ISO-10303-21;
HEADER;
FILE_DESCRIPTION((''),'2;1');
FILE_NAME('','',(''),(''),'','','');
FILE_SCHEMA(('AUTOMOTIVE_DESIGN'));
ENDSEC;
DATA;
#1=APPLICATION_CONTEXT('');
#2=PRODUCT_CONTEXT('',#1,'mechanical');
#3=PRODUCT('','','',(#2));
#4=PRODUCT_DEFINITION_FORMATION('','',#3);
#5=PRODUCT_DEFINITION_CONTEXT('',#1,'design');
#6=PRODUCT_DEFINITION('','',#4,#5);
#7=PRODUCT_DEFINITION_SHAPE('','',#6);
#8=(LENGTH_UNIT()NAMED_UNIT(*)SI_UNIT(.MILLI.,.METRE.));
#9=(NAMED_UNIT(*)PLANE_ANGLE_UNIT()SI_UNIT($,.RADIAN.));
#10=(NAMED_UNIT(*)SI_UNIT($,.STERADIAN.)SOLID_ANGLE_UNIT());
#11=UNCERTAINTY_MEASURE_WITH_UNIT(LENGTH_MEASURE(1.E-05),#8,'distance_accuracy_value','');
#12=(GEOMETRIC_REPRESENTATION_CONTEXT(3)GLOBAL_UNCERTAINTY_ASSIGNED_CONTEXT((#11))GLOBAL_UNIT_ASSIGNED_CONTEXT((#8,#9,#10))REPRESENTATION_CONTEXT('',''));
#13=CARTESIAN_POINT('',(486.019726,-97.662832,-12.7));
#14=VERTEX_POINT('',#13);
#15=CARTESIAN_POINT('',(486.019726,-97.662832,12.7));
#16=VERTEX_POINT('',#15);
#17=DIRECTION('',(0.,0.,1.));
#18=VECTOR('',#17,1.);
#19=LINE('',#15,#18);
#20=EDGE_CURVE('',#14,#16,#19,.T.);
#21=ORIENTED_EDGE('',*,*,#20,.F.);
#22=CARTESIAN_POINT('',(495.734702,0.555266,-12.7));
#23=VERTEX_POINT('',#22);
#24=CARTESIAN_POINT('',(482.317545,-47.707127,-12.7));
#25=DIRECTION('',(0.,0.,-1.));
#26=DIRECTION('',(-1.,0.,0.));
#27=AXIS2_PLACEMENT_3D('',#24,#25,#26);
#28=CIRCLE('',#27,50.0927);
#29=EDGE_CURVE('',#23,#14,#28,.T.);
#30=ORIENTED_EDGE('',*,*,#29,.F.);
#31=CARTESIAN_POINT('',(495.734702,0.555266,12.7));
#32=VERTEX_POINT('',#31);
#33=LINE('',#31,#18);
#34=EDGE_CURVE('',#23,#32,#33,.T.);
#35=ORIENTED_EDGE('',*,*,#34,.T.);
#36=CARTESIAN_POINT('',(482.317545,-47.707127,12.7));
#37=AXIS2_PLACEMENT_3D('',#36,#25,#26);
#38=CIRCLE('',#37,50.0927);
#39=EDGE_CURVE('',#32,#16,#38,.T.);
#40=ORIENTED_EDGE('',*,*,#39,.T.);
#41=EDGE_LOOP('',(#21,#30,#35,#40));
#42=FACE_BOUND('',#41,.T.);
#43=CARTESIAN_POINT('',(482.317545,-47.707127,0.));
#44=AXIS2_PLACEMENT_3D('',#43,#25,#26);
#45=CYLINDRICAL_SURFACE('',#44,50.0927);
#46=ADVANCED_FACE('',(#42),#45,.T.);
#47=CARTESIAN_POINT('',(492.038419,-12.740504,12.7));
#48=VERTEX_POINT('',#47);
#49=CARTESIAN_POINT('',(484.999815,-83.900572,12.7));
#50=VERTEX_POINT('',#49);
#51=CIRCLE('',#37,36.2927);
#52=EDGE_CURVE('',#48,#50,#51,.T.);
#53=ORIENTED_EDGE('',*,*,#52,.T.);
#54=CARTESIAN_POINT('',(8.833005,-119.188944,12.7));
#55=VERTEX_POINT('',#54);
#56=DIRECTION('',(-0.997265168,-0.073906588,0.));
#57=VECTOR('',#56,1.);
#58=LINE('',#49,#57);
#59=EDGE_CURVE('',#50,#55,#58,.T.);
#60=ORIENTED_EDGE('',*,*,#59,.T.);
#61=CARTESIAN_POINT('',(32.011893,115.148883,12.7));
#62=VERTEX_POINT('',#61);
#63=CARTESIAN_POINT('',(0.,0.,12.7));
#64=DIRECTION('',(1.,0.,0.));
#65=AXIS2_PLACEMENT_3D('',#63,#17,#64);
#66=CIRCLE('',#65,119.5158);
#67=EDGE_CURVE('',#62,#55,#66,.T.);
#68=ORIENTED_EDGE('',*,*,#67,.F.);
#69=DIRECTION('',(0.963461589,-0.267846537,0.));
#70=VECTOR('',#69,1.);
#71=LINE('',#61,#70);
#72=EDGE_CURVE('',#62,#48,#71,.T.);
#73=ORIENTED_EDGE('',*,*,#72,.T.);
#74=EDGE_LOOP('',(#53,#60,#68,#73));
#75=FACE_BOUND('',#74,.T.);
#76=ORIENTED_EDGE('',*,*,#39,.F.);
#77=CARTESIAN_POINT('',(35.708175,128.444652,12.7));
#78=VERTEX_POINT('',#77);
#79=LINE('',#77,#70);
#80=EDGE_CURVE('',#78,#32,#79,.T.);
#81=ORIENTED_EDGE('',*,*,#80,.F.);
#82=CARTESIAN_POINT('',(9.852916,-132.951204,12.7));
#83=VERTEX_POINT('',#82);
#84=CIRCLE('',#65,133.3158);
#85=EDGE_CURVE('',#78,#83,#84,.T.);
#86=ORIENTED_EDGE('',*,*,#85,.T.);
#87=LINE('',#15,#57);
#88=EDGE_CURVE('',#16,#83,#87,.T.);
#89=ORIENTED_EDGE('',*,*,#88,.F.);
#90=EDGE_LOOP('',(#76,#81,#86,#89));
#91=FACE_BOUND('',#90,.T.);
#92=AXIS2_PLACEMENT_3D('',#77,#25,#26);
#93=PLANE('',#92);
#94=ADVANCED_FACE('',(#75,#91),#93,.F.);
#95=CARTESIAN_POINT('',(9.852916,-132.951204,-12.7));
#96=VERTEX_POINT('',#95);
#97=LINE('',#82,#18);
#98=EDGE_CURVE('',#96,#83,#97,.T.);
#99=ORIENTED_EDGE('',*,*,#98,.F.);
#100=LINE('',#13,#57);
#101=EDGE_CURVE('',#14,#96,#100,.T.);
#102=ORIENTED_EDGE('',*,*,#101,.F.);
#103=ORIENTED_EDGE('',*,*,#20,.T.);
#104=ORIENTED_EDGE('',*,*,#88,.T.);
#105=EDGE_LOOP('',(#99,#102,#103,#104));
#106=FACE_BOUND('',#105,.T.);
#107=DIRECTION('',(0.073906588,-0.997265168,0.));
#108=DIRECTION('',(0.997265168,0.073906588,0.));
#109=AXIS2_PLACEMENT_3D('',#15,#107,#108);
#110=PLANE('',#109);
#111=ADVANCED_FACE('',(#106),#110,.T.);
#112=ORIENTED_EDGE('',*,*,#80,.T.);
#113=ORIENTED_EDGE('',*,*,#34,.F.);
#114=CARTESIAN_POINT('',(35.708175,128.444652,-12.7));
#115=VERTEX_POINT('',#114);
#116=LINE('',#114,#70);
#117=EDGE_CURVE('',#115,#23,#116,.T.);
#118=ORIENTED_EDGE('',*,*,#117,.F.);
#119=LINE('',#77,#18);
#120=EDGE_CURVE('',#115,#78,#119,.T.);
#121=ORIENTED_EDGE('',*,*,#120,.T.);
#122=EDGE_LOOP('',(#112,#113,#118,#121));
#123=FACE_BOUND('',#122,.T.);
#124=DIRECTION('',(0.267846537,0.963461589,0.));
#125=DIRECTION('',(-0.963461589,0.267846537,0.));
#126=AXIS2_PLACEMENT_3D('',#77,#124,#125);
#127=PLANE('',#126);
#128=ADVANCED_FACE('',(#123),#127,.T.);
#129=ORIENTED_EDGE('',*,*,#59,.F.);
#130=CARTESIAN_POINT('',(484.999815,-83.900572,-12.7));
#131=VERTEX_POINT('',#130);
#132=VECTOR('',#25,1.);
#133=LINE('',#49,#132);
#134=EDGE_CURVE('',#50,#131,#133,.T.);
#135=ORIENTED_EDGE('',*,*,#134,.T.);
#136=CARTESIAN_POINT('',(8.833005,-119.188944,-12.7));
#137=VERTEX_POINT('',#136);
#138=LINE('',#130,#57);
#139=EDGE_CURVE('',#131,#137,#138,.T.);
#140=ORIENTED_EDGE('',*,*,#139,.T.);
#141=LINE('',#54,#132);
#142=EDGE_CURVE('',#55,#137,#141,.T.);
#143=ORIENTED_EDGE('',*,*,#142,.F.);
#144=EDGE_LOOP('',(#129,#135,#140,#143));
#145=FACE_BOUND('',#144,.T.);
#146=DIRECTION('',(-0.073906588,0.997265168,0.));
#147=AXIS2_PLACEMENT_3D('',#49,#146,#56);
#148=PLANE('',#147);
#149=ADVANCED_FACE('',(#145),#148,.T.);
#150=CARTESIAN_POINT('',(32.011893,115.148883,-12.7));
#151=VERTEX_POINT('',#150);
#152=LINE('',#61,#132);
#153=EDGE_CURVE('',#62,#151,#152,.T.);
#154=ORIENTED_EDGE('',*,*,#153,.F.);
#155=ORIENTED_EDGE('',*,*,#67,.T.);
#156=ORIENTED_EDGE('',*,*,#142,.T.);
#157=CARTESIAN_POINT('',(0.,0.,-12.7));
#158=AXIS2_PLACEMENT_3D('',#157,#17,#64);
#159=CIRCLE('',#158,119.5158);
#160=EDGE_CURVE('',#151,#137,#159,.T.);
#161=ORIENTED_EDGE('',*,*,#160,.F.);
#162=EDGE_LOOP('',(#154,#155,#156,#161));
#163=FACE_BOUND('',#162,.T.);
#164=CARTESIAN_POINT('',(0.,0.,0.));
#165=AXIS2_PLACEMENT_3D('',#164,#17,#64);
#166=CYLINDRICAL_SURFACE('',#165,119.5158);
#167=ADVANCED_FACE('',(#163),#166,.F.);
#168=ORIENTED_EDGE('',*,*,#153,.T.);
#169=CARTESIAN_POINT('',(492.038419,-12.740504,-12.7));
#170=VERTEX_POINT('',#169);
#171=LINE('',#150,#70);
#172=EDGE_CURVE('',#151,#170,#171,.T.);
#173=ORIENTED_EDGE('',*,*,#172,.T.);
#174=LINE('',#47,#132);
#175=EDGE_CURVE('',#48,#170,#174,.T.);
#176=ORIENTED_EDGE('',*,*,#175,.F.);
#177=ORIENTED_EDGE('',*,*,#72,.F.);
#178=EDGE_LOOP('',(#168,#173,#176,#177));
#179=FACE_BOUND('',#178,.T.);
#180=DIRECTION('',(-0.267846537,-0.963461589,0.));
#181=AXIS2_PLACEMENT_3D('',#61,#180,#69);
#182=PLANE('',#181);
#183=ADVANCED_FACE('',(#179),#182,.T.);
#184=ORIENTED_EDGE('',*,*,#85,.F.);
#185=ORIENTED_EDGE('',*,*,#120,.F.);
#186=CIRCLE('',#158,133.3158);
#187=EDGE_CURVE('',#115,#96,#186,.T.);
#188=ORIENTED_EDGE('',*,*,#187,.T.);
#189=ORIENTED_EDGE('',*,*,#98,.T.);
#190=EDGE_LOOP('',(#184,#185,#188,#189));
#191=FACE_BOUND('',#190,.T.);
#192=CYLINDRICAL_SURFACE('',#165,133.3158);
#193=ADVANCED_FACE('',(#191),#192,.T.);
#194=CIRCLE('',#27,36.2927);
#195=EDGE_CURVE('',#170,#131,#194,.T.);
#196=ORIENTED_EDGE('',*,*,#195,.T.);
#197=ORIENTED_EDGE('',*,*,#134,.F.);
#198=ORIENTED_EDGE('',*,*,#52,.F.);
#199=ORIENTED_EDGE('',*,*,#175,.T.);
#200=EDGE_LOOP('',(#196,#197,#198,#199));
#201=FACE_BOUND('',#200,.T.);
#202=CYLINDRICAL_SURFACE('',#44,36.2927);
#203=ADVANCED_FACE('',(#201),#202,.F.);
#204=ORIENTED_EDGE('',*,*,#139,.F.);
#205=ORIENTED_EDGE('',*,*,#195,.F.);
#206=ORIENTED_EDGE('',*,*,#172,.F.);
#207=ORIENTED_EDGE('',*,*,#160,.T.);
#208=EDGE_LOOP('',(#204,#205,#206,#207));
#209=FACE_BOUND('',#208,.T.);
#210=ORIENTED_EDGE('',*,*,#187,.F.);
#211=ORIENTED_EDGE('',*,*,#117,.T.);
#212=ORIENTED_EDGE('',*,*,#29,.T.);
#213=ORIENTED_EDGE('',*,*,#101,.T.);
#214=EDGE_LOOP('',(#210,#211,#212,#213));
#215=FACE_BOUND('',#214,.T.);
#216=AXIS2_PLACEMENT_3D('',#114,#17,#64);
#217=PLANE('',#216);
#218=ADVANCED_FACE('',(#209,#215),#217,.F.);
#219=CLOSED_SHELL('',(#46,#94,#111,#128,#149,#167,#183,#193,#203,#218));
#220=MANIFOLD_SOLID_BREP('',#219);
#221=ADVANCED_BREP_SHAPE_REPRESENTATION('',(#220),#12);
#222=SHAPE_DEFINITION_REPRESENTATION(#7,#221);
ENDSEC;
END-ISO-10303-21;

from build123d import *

# Parameters (mm, degrees)
SKETCH3_W = 25.4
SKETCH3_H = 13.8


with BuildPart() as part:
    # Sweep1: sweep along a path in Sketch2
    with BuildLine(Plane.XY) as sweep1_path:
        Line((33.86003419, 121.796767504), (493.886560577, -6.092619308))
        ThreePointArc((493.886560577, -6.092619308), (525.300492459, -51.958667828), (485.509770578, -90.781701911))
        Line((485.509770578, -90.781701911), (9.342960491, -126.070074081))
        ThreePointArc((9.342960491, -126.070074081), (-125.801897747, 12.443352159), (33.86003419, 121.796767504))
    # Sketch3 → Sweep1 (sweep)
    with BuildSketch(Plane(origin=(0, 0, 0), x_dir=(0, 0, -1), z_dir=(1, 0, 0))):
        with Locations((0, 126.4158)):
            Rectangle(SKETCH3_W, SKETCH3_H)
    sweep(path=sweep1_path.line)


solid = part.part
